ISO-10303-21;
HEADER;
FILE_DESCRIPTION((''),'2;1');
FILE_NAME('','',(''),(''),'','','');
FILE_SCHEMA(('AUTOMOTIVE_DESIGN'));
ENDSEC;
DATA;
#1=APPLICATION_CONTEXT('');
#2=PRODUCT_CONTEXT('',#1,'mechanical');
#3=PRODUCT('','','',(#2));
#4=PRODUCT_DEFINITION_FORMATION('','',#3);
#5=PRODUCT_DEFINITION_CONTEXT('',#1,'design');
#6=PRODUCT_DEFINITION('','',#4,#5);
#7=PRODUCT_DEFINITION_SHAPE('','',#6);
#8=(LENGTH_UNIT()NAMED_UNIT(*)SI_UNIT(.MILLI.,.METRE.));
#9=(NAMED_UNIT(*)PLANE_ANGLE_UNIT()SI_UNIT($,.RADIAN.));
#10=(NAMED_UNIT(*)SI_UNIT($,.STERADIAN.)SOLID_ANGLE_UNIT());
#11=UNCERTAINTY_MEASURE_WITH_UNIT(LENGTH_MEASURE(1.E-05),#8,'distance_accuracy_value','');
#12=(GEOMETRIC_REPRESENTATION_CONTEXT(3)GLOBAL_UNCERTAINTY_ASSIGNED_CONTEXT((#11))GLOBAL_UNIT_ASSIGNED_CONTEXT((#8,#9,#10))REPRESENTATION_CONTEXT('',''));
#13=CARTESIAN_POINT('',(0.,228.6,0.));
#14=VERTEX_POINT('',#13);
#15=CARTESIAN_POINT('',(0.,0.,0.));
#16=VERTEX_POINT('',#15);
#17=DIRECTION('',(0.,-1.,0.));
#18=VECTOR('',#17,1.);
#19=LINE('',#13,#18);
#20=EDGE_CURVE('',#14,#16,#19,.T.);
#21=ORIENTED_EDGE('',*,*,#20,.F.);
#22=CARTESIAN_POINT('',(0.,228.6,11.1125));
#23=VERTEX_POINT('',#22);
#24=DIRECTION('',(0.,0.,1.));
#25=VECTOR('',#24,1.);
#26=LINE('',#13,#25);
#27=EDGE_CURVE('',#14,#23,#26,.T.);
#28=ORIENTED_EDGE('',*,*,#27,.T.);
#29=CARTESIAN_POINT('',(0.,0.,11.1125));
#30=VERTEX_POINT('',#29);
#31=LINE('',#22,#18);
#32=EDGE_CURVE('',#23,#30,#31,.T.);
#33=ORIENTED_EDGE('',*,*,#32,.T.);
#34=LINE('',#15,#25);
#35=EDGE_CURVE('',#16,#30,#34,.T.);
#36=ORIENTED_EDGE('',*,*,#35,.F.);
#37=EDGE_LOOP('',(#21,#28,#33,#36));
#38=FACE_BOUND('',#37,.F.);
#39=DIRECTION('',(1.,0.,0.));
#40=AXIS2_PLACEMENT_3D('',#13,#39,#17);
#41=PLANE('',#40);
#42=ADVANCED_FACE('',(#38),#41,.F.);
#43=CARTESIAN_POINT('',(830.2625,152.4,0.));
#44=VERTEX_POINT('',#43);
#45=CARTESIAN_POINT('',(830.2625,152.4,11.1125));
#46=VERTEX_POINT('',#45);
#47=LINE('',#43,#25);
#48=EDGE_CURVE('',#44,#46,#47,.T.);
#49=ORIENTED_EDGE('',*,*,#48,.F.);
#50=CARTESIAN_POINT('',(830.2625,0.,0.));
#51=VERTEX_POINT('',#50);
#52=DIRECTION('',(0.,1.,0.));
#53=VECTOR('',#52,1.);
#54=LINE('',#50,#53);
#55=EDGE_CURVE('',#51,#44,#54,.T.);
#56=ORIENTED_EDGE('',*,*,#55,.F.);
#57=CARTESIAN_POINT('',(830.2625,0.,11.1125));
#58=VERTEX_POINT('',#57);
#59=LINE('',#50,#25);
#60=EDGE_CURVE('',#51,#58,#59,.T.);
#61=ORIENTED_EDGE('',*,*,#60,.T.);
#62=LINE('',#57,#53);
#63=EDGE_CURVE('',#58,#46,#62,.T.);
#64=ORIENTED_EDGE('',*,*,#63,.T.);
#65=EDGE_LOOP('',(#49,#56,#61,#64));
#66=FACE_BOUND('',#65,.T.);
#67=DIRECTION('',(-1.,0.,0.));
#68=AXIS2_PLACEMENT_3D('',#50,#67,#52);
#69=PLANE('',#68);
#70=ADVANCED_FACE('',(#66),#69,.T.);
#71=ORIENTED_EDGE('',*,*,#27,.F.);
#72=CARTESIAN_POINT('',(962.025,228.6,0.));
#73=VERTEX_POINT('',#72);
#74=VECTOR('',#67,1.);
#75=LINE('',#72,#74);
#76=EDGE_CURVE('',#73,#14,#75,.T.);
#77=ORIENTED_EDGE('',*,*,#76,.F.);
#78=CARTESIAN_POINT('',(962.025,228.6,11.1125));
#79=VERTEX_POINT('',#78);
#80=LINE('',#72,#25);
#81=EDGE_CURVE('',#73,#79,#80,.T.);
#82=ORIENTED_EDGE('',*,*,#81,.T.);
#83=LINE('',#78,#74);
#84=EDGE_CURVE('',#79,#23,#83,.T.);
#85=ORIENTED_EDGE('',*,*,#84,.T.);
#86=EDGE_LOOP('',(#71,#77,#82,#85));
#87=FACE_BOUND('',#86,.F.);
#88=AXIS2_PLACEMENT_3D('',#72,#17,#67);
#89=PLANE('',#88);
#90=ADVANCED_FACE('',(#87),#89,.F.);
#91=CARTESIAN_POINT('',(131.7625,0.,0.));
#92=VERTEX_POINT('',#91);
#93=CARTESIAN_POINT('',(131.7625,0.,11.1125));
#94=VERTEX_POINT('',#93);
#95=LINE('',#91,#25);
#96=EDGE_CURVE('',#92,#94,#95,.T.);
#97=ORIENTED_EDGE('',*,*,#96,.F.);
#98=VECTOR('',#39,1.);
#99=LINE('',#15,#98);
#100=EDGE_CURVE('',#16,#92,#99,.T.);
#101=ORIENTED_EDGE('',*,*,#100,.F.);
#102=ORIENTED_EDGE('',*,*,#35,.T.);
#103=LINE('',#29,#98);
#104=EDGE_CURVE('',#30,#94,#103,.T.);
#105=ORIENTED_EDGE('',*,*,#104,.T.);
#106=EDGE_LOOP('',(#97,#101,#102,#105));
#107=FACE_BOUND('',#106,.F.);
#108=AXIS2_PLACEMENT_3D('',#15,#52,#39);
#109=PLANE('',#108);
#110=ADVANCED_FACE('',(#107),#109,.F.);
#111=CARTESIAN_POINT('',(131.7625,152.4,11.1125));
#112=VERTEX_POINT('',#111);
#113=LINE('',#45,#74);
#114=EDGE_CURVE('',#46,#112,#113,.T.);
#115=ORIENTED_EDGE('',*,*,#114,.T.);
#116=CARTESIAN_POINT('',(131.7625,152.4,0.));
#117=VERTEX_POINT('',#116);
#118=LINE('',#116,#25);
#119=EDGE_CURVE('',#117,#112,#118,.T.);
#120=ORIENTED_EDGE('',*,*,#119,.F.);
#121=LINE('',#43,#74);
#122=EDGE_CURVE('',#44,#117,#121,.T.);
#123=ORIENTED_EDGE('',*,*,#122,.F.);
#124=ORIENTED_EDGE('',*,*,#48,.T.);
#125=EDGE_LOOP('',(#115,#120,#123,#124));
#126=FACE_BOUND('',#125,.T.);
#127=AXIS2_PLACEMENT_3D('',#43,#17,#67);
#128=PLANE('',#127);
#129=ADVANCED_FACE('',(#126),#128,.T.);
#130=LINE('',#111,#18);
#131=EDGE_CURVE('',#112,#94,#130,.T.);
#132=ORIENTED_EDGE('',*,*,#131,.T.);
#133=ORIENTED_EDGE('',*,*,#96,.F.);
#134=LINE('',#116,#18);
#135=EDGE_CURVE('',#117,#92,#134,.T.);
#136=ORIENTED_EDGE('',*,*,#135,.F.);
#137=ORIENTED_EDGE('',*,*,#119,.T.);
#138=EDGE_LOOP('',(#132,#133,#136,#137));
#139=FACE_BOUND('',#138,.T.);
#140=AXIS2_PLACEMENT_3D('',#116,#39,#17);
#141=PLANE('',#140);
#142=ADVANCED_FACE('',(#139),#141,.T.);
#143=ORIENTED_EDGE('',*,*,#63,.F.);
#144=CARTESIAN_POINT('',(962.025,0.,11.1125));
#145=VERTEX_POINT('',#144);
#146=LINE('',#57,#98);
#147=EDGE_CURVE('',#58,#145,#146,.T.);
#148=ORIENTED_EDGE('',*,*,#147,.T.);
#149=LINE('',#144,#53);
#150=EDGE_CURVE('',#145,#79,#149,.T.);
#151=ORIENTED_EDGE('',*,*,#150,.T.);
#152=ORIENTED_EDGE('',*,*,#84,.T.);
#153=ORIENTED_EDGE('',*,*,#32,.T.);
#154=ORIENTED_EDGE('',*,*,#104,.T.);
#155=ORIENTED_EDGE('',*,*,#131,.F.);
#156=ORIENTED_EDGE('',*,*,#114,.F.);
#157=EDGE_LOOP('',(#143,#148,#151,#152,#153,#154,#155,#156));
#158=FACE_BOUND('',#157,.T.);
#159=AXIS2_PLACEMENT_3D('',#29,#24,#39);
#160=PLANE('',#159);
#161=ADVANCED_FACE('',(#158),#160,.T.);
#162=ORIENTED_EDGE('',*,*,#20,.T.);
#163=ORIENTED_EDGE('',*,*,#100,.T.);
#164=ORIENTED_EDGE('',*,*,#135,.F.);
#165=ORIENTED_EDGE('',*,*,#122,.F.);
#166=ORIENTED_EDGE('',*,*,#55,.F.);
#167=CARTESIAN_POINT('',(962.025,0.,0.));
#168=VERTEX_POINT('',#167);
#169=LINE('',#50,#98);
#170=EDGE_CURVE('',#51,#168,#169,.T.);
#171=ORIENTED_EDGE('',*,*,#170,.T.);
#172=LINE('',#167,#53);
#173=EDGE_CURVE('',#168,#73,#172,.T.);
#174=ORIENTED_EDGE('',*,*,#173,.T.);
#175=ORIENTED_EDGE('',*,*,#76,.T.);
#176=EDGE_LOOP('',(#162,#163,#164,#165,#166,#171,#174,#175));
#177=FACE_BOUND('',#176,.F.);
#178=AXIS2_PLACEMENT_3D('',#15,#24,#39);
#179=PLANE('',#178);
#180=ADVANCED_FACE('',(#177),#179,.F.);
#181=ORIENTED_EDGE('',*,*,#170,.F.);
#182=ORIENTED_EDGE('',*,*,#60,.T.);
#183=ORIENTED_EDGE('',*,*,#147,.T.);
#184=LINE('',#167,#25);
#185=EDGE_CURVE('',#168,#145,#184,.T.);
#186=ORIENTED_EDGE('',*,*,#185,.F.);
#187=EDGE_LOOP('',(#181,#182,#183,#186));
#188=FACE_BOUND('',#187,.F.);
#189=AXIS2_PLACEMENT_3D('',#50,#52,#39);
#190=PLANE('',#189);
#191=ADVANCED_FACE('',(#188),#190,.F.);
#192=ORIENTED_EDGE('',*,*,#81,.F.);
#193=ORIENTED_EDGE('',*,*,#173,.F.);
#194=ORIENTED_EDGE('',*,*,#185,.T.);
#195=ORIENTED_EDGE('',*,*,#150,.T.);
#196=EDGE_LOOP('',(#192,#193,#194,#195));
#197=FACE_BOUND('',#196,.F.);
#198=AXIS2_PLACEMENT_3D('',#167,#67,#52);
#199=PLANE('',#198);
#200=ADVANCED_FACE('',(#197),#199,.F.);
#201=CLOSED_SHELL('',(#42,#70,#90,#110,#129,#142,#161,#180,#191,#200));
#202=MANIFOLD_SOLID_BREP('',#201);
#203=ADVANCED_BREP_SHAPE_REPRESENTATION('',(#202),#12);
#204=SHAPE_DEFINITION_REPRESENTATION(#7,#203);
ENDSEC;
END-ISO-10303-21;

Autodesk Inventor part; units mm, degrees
ref_plane "YZ Plane" through (0, 0, 0) normal (1, 0, 0) x (0, 1, 0)
ref_plane "XZ Plane" through (0, 0, 0) normal (0, 1, 0) x (-1, 0, 0)
ref_plane "XY Plane" through (0, 0, 0) normal (0, 0, 1) x (1, 0, 0)
sketch "Sketch1" plane through (0, 0, 0) normal (0, 0, 1) x (1, 0, 0)
  line L0 (962.025, 0) -> (962.025, 228.6)
  line L1 (962.025, 228.6) -> (0, 228.6)
  line L2 (0, 228.6) -> (0, 0)
  line L3 (830.2625, 0) -> (830.2625, 152.4)
  line L4 (830.2625, 152.4) -> (131.7625, 152.4)
  line L5 (131.7625, 152.4) -> (131.7625, 0)
  line L6 (0, 0) -> (131.7625, 0)
  line L7 (830.2625, 0) -> (962.025, 0)
  dimension "d0" = 962.025
  dimension "d1" = 228.6
  dimension "d2" = 698.5
  dimension "d3" = 131.7625
  dimension "d4" = 131.7625
  dimension "d5" = 76.2
extrude "Extrusion1" add sketch "Sketch1" along normal blind 11.1125
equation "\"d3\" = d4"
properties part number "plywood front pannel 2"
